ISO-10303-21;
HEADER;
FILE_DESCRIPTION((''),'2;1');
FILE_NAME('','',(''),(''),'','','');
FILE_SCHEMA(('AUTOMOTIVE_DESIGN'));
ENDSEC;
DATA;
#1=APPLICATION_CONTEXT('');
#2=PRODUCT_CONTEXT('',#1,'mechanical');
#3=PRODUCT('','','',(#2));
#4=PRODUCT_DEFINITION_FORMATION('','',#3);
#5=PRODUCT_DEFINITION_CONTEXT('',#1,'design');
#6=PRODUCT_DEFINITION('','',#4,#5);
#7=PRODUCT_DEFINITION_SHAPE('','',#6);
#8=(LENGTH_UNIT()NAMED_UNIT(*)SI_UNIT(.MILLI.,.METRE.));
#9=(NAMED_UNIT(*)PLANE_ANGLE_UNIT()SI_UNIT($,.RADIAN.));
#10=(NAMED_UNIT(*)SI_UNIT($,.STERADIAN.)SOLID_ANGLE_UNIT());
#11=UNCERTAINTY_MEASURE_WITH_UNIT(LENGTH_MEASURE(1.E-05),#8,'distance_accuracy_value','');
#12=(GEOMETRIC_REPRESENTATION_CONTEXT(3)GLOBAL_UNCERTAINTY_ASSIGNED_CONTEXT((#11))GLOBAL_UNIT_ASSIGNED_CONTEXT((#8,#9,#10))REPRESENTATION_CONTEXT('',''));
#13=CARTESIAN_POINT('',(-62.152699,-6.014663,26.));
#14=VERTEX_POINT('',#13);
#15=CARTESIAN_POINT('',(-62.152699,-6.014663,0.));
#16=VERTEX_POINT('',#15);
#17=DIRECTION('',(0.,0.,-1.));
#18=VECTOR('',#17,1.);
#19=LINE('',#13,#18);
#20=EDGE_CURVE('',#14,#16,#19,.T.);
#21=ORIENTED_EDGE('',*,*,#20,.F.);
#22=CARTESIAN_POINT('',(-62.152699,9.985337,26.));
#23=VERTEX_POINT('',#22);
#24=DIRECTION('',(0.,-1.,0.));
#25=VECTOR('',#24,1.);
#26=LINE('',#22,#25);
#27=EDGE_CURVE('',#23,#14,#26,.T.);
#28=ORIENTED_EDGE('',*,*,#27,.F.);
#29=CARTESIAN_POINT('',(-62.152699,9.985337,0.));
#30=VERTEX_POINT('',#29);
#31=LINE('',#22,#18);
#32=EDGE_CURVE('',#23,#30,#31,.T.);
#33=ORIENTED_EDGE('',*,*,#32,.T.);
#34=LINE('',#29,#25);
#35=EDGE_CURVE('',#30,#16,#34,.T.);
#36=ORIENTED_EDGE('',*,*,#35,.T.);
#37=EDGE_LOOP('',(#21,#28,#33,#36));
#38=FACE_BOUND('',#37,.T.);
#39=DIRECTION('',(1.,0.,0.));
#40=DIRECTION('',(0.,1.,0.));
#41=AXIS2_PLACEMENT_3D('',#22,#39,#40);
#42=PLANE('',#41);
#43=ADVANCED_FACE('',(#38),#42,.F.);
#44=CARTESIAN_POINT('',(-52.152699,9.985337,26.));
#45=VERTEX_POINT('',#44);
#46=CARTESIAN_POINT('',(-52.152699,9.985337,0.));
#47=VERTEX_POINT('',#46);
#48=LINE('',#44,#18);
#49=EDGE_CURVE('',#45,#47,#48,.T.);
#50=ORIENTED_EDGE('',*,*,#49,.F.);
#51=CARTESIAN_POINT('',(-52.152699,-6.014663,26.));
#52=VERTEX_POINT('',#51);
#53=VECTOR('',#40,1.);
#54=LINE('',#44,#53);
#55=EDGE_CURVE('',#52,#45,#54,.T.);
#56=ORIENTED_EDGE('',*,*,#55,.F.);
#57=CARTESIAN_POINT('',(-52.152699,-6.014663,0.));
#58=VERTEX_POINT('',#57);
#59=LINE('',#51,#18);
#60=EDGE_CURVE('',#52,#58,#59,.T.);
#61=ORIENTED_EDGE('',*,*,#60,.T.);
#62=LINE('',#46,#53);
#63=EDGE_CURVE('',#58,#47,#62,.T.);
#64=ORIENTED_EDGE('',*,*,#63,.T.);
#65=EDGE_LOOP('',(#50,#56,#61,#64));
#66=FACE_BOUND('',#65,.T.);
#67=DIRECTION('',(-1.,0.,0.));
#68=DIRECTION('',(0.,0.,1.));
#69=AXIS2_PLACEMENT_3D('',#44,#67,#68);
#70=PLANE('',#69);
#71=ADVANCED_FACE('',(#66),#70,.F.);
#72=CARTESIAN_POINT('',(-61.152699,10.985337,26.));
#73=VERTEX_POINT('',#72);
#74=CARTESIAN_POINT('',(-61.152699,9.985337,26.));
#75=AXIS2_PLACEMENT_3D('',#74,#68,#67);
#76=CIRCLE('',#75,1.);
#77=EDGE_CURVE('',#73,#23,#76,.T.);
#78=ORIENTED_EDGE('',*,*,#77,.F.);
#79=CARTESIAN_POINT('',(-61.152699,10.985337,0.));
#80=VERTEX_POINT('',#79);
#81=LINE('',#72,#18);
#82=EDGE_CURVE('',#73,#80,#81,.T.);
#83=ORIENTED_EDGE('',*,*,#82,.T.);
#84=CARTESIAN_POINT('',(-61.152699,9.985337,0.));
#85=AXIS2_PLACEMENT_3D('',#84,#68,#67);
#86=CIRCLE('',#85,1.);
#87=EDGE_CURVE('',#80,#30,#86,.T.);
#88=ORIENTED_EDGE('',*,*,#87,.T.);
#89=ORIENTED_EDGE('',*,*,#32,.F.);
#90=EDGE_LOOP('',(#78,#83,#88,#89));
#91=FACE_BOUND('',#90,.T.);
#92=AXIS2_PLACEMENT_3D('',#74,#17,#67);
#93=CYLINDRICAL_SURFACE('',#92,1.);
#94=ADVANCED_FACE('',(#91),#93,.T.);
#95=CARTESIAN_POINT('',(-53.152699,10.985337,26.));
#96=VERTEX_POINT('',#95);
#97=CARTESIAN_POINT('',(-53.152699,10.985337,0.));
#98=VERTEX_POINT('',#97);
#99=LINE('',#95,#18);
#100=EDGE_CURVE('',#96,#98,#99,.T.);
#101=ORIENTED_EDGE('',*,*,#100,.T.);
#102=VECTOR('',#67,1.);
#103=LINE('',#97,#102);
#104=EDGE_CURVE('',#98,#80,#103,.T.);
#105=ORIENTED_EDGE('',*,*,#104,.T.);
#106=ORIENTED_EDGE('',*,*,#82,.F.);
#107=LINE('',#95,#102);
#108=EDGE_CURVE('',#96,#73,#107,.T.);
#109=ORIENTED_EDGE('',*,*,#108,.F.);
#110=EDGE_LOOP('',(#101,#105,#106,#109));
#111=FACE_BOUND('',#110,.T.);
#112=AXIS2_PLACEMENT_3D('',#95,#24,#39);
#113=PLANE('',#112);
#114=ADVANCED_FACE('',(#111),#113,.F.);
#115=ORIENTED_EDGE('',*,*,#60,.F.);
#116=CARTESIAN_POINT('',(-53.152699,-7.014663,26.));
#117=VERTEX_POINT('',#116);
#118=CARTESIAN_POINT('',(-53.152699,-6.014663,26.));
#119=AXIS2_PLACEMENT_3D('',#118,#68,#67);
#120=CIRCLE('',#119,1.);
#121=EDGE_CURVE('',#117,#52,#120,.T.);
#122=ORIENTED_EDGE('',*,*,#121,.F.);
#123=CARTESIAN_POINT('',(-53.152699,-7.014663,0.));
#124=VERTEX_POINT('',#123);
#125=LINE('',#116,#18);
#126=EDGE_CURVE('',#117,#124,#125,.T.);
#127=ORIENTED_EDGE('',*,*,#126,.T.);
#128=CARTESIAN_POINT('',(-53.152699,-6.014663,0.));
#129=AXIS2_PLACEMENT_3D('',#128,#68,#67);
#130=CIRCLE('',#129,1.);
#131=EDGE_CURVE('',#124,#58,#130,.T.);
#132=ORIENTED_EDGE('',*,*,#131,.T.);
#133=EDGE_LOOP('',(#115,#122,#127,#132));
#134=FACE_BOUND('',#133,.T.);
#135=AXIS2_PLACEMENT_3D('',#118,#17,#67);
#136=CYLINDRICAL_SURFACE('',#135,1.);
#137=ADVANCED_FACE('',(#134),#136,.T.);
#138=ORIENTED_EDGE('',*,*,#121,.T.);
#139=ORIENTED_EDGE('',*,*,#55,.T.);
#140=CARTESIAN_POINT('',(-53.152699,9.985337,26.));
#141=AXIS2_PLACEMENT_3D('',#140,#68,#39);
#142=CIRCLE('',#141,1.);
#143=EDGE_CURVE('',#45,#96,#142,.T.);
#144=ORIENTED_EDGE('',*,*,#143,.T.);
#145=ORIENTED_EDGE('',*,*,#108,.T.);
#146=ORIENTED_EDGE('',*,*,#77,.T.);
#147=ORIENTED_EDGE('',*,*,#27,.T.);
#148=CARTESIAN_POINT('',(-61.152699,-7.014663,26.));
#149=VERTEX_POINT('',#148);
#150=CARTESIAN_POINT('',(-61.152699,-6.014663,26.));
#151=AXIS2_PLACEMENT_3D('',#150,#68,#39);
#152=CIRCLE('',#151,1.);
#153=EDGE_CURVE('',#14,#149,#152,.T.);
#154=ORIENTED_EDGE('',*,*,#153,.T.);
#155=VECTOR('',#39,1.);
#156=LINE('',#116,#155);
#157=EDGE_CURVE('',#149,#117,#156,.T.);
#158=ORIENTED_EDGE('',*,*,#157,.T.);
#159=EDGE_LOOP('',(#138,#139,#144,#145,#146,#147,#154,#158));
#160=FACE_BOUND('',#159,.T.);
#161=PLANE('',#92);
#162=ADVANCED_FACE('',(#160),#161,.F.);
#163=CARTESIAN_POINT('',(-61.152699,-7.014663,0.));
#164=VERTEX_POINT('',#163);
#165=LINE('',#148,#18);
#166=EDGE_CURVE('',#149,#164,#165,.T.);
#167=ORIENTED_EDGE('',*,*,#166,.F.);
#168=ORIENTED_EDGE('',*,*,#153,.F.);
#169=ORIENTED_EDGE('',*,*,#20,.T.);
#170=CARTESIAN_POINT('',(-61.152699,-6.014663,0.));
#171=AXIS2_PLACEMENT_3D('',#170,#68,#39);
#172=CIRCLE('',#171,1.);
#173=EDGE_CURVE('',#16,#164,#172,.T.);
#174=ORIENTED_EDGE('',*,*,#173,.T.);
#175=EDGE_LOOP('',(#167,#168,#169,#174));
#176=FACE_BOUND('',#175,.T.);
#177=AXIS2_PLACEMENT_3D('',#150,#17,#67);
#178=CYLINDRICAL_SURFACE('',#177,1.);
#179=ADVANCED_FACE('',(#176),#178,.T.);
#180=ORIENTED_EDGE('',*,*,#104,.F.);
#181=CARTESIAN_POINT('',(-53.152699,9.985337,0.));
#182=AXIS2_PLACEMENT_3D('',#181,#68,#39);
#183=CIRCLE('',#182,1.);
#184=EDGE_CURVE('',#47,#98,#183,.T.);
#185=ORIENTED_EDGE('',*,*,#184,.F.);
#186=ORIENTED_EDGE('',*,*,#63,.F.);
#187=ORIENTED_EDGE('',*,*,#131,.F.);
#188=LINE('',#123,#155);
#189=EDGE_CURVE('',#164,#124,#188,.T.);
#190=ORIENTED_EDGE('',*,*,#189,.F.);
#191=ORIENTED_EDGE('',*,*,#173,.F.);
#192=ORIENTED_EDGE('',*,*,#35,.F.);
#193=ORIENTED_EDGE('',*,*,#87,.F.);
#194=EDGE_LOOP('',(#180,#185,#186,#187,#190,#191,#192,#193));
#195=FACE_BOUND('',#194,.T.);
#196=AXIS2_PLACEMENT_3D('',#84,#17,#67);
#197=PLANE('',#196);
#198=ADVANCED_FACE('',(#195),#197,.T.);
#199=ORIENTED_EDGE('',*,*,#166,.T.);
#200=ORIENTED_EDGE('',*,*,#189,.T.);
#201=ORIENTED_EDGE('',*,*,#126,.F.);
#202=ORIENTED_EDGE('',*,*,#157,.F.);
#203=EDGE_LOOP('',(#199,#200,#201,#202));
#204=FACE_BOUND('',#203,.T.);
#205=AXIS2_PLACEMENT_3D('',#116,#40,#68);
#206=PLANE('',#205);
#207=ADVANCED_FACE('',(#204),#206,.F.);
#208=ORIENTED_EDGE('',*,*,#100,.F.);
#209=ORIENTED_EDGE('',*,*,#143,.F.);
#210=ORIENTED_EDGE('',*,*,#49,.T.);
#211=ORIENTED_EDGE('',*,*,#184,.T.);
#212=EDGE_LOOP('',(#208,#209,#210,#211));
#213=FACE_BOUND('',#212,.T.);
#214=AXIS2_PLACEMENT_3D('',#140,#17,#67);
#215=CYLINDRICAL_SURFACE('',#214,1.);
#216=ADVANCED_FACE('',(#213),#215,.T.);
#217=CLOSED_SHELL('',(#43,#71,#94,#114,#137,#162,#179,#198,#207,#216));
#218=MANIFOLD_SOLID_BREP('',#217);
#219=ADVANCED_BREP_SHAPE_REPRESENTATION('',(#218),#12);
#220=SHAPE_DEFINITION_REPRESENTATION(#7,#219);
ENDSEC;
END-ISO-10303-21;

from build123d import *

# Parameters (mm, degrees)
BOSS_EXTRUDE1_DEPTH = 26


with BuildPart() as part:
    # Sketch2 → Boss-Extrude1 (new body)
    with BuildSketch(Plane.XY):
        with BuildLine():
            Line((-53.152698982, 10.985337207), (-61.152698982, 10.985337207))
            ThreePointArc((-61.152698982, 10.985337207), (-61.859805763, 10.692443988), (-62.152698982, 9.985337207))
            Line((-62.152698982, 9.985337207), (-62.152698982, -6.014662793))
            ThreePointArc((-62.152698982, -6.014662793), (-61.859805763, -6.721769574), (-61.152698982, -7.014662793))
            Line((-61.152698982, -7.014662793), (-53.152698982, -7.014662793))
            ThreePointArc((-53.152698982, -7.014662793), (-52.4455922, -6.721769574), (-52.152698982, -6.014662793))
            Line((-52.152698982, -6.014662793), (-52.152698982, 9.985337207))
            ThreePointArc((-52.152698982, 9.985337207), (-52.4455922, 10.692443988), (-53.152698982, 10.985337207))
        make_face()
    extrude(amount=BOSS_EXTRUDE1_DEPTH)


solid = part.part
